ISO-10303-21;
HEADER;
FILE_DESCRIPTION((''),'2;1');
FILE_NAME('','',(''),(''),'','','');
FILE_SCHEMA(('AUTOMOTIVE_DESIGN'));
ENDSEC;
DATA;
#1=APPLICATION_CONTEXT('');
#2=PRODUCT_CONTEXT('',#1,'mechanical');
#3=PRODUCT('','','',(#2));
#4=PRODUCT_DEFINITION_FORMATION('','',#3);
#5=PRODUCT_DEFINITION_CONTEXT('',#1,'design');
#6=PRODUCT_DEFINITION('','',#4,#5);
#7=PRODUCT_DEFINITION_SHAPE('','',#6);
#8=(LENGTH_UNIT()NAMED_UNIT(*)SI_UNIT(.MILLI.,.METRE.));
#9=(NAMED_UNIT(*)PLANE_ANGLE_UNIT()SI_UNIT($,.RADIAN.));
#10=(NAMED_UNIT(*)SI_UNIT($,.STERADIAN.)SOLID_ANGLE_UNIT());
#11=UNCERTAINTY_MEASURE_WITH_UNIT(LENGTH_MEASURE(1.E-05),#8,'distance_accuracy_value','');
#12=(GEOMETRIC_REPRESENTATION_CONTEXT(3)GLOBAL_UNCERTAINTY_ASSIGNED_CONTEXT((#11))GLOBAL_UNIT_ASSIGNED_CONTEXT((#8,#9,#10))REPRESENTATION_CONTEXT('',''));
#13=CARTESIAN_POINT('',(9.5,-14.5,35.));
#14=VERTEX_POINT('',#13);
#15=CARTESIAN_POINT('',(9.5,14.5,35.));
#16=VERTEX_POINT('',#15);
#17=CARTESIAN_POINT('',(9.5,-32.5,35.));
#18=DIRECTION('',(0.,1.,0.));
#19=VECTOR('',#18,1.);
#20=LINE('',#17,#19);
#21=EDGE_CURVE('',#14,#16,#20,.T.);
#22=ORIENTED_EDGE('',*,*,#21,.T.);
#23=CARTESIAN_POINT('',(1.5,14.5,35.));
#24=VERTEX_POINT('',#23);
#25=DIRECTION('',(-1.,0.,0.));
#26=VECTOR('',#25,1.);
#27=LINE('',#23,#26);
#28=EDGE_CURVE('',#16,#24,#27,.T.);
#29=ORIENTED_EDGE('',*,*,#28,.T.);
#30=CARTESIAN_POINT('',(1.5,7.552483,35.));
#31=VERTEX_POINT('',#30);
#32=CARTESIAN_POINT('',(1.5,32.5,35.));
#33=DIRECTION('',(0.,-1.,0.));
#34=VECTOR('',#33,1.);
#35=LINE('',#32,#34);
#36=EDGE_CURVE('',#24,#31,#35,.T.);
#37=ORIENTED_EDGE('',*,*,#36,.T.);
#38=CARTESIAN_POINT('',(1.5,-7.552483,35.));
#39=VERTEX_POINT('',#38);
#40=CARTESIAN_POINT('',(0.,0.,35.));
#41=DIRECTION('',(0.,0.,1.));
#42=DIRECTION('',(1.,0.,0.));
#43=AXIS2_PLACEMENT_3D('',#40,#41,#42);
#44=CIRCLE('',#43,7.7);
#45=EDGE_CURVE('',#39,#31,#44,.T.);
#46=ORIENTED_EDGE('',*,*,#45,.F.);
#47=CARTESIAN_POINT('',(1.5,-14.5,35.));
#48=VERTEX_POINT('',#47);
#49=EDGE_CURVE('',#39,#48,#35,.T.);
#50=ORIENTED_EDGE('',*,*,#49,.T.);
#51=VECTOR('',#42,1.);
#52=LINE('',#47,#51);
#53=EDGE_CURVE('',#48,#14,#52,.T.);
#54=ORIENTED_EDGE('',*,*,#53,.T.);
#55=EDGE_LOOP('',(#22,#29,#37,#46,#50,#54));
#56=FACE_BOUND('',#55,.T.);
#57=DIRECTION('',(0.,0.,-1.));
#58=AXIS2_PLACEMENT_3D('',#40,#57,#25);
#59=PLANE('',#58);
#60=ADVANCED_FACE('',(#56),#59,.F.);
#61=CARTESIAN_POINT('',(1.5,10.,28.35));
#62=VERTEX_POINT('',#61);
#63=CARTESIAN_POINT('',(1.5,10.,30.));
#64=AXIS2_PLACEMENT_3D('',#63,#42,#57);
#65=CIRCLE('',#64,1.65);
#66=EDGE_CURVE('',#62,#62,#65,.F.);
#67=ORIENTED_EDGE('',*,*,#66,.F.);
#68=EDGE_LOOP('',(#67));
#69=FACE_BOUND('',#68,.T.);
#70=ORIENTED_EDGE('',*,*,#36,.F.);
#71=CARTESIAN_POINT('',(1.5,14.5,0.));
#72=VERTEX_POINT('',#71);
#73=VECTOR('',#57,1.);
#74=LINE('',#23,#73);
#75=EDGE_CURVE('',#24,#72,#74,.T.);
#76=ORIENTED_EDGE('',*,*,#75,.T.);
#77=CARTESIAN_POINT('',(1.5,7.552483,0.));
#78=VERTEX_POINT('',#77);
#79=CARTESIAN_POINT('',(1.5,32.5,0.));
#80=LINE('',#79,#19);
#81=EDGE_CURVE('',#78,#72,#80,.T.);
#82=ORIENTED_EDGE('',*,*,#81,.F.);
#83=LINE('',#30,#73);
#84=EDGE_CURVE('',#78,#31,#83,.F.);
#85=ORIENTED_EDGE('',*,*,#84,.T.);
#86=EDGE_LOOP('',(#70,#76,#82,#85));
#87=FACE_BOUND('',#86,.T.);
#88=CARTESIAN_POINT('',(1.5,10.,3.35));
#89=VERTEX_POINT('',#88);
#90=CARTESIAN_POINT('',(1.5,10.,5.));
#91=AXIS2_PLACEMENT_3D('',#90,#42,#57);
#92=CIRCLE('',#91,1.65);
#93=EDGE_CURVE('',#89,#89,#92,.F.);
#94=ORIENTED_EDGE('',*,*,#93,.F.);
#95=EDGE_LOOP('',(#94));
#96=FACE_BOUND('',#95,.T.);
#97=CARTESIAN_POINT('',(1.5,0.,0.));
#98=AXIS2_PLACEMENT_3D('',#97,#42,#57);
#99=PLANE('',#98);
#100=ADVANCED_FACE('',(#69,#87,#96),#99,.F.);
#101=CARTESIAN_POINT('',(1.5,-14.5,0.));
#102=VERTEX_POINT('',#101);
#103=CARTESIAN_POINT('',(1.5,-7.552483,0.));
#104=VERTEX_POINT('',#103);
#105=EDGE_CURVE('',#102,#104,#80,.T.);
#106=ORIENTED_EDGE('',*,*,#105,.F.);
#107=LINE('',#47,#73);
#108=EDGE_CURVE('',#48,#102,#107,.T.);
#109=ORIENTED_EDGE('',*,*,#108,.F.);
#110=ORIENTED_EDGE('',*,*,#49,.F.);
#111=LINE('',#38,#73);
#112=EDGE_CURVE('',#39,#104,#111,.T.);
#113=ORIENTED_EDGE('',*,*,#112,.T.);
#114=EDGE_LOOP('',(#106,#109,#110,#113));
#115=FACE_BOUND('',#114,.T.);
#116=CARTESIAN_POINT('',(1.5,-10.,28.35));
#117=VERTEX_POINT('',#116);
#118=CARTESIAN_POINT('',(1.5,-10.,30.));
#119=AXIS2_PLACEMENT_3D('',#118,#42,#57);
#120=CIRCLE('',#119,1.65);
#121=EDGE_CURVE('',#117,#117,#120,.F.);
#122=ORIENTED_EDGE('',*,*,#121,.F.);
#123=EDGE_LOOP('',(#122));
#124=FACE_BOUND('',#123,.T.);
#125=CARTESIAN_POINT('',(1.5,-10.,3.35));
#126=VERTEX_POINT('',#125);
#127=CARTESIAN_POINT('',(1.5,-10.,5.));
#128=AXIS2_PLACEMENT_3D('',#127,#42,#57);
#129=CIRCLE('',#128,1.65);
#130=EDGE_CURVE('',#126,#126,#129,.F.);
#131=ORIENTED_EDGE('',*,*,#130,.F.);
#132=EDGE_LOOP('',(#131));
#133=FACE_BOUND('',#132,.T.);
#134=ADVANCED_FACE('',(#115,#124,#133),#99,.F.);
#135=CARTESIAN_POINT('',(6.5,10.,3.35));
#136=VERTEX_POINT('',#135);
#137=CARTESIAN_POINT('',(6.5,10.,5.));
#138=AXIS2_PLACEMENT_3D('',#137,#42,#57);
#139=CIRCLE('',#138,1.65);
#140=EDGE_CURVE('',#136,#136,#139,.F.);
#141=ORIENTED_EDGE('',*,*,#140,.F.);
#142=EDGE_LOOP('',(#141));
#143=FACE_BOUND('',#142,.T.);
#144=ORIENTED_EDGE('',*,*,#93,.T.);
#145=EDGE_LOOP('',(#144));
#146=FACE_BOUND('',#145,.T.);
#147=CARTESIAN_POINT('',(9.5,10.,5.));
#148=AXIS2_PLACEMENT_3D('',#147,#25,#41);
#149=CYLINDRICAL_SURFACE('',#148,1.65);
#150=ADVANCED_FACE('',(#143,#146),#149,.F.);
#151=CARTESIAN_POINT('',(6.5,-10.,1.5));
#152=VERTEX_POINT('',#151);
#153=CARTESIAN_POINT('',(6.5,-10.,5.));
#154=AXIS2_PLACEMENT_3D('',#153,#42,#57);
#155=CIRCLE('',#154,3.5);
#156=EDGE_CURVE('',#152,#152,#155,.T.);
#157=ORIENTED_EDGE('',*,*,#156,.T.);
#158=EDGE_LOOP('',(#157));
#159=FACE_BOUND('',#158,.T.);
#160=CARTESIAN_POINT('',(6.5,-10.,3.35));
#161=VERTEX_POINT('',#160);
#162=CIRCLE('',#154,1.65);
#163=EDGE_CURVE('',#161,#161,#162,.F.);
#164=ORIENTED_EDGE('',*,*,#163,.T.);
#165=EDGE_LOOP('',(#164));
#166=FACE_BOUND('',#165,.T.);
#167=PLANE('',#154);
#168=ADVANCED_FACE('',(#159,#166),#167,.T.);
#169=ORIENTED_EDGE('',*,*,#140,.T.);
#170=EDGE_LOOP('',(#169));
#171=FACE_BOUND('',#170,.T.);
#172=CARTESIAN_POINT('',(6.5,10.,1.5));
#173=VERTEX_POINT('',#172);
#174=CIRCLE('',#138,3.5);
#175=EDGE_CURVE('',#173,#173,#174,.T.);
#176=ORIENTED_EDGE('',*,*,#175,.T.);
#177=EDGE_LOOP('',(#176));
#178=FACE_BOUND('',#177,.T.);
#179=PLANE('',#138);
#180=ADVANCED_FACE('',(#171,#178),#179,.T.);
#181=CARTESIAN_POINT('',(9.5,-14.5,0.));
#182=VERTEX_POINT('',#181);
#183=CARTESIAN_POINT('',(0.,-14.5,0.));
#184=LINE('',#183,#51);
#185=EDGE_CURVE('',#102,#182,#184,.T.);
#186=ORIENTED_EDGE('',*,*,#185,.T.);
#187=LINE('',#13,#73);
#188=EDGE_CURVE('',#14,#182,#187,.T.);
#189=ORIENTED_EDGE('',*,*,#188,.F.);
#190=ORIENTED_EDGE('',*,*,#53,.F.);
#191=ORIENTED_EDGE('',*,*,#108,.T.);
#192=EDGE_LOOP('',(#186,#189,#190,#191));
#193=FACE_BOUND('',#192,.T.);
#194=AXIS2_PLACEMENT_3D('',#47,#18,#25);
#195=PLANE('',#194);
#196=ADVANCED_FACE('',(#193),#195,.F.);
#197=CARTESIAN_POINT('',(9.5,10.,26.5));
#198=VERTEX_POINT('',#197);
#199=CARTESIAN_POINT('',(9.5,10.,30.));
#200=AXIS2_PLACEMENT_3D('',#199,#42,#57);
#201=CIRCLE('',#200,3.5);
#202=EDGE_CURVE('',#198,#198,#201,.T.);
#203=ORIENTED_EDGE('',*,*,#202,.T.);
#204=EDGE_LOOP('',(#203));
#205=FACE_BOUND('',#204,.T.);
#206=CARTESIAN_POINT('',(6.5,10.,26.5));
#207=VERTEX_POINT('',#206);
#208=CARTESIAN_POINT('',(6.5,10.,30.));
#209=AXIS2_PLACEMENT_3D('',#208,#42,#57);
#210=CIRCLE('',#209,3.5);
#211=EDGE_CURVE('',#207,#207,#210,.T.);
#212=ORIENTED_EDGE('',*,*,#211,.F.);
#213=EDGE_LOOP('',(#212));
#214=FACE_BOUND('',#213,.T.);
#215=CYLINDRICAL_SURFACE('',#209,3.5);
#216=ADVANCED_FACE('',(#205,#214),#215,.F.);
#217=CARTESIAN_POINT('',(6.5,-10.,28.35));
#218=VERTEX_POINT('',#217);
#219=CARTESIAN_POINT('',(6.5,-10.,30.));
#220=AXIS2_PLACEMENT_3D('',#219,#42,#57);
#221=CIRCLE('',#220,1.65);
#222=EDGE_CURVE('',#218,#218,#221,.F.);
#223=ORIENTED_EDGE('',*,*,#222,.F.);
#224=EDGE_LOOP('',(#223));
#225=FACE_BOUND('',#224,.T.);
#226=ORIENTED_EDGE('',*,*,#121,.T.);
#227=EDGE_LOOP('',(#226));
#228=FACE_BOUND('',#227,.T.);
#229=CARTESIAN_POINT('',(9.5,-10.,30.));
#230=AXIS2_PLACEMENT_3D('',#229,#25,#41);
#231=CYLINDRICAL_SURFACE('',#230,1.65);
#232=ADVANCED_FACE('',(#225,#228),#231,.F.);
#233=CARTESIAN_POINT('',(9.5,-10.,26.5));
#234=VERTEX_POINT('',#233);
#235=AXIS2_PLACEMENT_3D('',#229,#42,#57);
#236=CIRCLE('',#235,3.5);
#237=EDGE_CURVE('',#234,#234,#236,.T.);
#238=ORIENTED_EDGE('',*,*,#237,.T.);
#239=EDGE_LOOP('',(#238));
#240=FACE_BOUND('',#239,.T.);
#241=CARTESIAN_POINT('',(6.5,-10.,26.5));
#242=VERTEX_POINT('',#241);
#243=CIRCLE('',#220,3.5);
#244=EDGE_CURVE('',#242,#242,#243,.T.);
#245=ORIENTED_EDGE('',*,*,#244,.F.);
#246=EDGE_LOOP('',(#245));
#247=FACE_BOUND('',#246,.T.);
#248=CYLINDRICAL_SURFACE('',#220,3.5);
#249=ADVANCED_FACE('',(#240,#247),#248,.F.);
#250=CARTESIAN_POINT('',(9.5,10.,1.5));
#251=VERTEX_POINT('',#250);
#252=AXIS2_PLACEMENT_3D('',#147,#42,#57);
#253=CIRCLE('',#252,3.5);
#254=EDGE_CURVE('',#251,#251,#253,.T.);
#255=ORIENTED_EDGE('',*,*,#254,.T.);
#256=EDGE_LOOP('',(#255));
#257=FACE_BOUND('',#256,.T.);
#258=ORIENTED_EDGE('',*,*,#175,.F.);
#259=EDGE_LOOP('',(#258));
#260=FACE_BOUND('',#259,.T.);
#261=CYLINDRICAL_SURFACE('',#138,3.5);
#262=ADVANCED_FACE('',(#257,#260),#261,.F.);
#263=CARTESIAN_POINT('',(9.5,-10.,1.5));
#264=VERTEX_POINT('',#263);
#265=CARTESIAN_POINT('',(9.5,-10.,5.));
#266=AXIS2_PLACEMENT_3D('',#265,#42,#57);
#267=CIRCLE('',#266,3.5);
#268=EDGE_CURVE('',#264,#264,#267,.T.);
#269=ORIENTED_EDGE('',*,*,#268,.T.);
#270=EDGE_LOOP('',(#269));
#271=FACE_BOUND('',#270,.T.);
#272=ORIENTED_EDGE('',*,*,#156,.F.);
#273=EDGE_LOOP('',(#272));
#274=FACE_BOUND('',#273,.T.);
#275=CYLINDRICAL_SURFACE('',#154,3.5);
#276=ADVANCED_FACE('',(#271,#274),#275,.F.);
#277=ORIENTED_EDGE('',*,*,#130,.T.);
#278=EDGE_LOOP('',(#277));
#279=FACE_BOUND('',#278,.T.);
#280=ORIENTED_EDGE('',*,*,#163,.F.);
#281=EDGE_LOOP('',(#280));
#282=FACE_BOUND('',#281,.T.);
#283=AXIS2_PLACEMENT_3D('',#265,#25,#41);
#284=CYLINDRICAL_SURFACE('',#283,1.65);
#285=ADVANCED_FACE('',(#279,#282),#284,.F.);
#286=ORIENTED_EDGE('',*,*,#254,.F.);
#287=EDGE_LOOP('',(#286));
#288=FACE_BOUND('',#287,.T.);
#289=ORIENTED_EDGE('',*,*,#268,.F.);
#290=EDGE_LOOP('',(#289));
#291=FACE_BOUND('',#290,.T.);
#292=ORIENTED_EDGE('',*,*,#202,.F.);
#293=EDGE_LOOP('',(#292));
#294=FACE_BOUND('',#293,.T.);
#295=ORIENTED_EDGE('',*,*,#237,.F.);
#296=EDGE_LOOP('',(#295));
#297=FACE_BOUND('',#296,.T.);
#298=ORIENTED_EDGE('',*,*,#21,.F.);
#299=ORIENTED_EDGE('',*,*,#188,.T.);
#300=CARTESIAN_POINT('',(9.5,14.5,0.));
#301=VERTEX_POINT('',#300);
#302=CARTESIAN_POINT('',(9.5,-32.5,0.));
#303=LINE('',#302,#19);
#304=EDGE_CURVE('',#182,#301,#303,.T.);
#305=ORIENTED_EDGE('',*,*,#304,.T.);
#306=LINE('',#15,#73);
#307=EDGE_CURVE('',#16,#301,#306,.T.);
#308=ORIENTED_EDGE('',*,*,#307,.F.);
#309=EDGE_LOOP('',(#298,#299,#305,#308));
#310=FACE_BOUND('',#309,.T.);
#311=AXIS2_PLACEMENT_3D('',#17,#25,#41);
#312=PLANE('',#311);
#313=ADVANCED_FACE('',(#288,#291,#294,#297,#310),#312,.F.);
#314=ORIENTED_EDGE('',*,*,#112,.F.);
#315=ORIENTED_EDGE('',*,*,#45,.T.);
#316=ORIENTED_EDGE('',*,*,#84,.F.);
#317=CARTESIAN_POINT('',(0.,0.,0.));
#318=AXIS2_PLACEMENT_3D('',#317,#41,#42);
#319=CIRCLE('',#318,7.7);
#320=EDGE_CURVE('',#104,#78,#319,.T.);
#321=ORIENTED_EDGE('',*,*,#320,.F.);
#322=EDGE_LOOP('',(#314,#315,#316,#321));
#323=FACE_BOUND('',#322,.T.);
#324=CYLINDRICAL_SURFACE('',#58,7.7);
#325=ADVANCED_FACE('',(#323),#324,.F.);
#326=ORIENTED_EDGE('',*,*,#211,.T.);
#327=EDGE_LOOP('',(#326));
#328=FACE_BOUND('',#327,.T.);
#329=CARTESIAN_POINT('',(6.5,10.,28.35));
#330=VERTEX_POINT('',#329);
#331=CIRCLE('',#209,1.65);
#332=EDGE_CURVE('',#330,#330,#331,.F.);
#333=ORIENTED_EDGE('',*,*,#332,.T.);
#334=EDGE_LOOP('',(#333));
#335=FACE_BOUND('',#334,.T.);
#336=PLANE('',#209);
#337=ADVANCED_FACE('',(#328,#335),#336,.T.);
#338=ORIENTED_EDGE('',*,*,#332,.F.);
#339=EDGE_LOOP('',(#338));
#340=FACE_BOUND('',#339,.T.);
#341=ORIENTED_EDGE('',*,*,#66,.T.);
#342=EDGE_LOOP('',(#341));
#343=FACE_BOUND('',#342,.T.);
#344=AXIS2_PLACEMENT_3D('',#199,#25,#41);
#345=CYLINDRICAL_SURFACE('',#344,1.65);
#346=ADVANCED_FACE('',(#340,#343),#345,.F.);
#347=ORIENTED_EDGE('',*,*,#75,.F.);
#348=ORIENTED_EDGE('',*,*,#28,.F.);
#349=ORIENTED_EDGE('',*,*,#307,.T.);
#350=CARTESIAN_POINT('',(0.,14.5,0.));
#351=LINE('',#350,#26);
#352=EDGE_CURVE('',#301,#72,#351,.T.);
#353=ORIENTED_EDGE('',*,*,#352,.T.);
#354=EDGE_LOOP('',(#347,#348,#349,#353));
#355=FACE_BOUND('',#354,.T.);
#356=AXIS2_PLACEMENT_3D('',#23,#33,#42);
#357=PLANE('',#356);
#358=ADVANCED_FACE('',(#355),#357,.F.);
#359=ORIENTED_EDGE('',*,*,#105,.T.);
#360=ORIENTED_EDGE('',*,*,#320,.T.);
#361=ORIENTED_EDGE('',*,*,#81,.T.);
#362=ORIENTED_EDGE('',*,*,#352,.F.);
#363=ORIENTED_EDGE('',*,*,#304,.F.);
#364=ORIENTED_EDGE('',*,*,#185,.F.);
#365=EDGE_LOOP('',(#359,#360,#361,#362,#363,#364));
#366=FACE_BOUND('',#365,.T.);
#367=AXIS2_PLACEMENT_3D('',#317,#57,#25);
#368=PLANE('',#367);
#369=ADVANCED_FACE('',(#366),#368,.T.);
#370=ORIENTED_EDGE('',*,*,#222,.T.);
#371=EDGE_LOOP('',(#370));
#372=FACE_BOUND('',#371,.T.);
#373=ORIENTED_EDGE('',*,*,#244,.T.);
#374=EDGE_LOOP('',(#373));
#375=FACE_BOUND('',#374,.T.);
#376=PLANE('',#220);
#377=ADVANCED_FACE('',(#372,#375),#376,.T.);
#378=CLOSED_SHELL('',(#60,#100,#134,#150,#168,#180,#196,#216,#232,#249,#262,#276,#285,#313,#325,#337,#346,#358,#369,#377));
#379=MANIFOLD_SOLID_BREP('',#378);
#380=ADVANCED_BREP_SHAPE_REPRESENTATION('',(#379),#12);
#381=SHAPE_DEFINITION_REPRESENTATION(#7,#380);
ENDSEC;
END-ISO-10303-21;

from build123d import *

# Parameters (mm, degrees)
ESBO_O2_R                  = 7.7
ESBO_O2_W                  = 7
ESBO_O2_H                  = 10
RESSALTO_EXTRUS_O1_DEPTH   = 35
ESBO_O3_R                  = 1.65
CORTE_EXTRUS_O1_DEPTH      = 20
ESBO_O4_R                  = 1.6
CORTE_EXTRUS_O2_DEPTH      = 18.5
CORTE_EXTRUS_O2_DEPTH_BACK = 48.5
CORTE_EXTRUS_O4_START      = -8
ESBO_O8_W                  = 35
ESBO_O8_H                  = 65
CORTE_EXTRUS_O4_DEPTH      = 39
ESBO_O11_W                 = 8
ESBO_O11_H                 = 18
CORTE_EXTRUS_O6_DEPTH      = 1
CORTE_EXTRUS_O6_DEPTH_BACK = 36
ESBO_O12_R                 = 3.5
CORTE_EXTRUS_O7_DEPTH      = 3


with BuildPart() as part:
    # Esboço2 → Ressalto-extrusão1 (new body)
    with BuildSketch(Plane.XY):
        Polygon((-9.5, 15), (-9.5, 32.5), (9.5, 32.5), (9.5, -32.5), (-9.5, -32.5), (-9.5, -15), (-25, -15), (-25, -12), (-9, -12), (-9, -2), (-25, -2), (-36.5, -2), (-36.5, 2), (-20.5, 2), (-20.5, 12), (-36.5, 12), (-36.5, 15), align=None)
        Circle(ESBO_O2_R, mode=Mode.SUBTRACT)
        with Locations((-12.5, 7)):
            Rectangle(ESBO_O2_W, ESBO_O2_H, mode=Mode.SUBTRACT)
    extrude(amount=RESSALTO_EXTRUS_O1_DEPTH)

    # Esboço3 → Corte-extrusão1 (cut, through all)
    with BuildSketch(Plane.ZY.offset(9.5)):
        with Locations((17.5, 18)):
            Circle(ESBO_O3_R)
        with Locations((17.5, -18)):
            Circle(ESBO_O3_R)
        with Locations((5, 10)):
            Circle(ESBO_O3_R)
        with Locations((30, 10)):
            Circle(ESBO_O3_R)
        with Locations((5, -10)):
            Circle(ESBO_O3_R)
        with Locations((30, -10)):
            Circle(ESBO_O3_R)
        Polygon((35, 30.736730193), (25, 32.5), (35, 32.5), align=None)
        Polygon((24.739796996, 20.169435313), (30.057758862, 19.231735154), (29.536814329, 16.277311895), (24.218852463, 17.215012054), align=None)
        with BuildLine():
            Line((21.321510517, 23.818451283), (42.639721186, 20.059475562))
            Line((42.639721186, 20.059475562), (42.813369364, 21.044283315))
            Line((42.813369364, 21.044283315), (21.495158694, 24.803259036))
            ThreePointArc((21.495158694, 24.803259036), (13.560768988, 25.694592711), (21.321510517, 23.818451283))
        make_face()
        with BuildLine():
            Line((42.639721186, -20.059475562), (42.813369364, -21.044283315))
            Line((42.813369364, -21.044283315), (21.495158694, -24.803259036))
            ThreePointArc((21.495158694, -24.803259036), (13.560768988, -25.694592711), (21.321510517, -23.818451283))
            Line((21.321510517, -23.818451283), (42.639721186, -20.059475562))
        make_face()
        Polygon((30.057758862, -19.231735154), (29.536814329, -16.277311895), (24.218852463, -17.215012054), (24.739796996, -20.169435313), align=None)
        Polygon((0, 30.736730193), (10, 32.5), (0, 32.5), align=None)
        Polygon((35, -32.5), (25, -32.5), (35, -30.736730193), align=None)
        Polygon((0, -32.5), (10, -32.5), (0, -30.736730193), align=None)
    extrude(amount=-CORTE_EXTRUS_O1_DEPTH, mode=Mode.SUBTRACT)

    # Esboço4 → Corte-extrusão2 (cut, two sides)
    with BuildSketch(Plane(origin=(0, 15, 0), x_dir=(1, 0, 0), z_dir=(0, 1, 0))) as corte_extrus_o2_sk:
        with Locations((-32, -11.5)):
            Circle(ESBO_O4_R)
        with Locations((-19, -23.5)):
            Circle(ESBO_O4_R)
    extrude(amount=CORTE_EXTRUS_O2_DEPTH, mode=Mode.SUBTRACT)
    extrude(corte_extrus_o2_sk.sketch, amount=-CORTE_EXTRUS_O2_DEPTH_BACK, mode=Mode.SUBTRACT)

    # Esboço8 → Corte-extrusão4 (cut, through all)
    with BuildSketch(Plane(origin=(9.5, 0, 0), x_dir=(0, 0, -1), z_dir=(1, 0, 0)).offset(CORTE_EXTRUS_O4_START)):
        with Locations((-17.5, 0)):
            Rectangle(ESBO_O8_W, ESBO_O8_H)
    extrude(amount=-CORTE_EXTRUS_O4_DEPTH, mode=Mode.SUBTRACT)

    # Esboço11 → Corte-extrusão6 (cut, two sides)
    with BuildSketch(Plane(origin=(0, 0, 0), x_dir=(-1, 0, 0), z_dir=(0, 0, -1))) as corte_extrus_o6_sk:
        with Locations((-5.5, 23.5)):
            Rectangle(ESBO_O11_W, ESBO_O11_H)
        with Locations((-5.5, -23.5)):
            Rectangle(ESBO_O11_W, ESBO_O11_H)
    extrude(amount=CORTE_EXTRUS_O6_DEPTH, mode=Mode.SUBTRACT)
    extrude(corte_extrus_o6_sk.sketch, amount=-CORTE_EXTRUS_O6_DEPTH_BACK, mode=Mode.SUBTRACT)

    # Esboço12 → Corte-extrusão7 (cut)
    with BuildSketch(Plane(origin=(9.5, 0, 0), x_dir=(0, 0, -1), z_dir=(1, 0, 0))):
        with Locations((-30, 10)):
            Circle(ESBO_O12_R)
        with Locations((-5, 10)):
            Circle(ESBO_O12_R)
        with Locations((-5, -10)):
            Circle(ESBO_O12_R)
        with Locations((-30, -10)):
            Circle(ESBO_O12_R)
    extrude(amount=-CORTE_EXTRUS_O7_DEPTH, mode=Mode.SUBTRACT)


solid = part.part
